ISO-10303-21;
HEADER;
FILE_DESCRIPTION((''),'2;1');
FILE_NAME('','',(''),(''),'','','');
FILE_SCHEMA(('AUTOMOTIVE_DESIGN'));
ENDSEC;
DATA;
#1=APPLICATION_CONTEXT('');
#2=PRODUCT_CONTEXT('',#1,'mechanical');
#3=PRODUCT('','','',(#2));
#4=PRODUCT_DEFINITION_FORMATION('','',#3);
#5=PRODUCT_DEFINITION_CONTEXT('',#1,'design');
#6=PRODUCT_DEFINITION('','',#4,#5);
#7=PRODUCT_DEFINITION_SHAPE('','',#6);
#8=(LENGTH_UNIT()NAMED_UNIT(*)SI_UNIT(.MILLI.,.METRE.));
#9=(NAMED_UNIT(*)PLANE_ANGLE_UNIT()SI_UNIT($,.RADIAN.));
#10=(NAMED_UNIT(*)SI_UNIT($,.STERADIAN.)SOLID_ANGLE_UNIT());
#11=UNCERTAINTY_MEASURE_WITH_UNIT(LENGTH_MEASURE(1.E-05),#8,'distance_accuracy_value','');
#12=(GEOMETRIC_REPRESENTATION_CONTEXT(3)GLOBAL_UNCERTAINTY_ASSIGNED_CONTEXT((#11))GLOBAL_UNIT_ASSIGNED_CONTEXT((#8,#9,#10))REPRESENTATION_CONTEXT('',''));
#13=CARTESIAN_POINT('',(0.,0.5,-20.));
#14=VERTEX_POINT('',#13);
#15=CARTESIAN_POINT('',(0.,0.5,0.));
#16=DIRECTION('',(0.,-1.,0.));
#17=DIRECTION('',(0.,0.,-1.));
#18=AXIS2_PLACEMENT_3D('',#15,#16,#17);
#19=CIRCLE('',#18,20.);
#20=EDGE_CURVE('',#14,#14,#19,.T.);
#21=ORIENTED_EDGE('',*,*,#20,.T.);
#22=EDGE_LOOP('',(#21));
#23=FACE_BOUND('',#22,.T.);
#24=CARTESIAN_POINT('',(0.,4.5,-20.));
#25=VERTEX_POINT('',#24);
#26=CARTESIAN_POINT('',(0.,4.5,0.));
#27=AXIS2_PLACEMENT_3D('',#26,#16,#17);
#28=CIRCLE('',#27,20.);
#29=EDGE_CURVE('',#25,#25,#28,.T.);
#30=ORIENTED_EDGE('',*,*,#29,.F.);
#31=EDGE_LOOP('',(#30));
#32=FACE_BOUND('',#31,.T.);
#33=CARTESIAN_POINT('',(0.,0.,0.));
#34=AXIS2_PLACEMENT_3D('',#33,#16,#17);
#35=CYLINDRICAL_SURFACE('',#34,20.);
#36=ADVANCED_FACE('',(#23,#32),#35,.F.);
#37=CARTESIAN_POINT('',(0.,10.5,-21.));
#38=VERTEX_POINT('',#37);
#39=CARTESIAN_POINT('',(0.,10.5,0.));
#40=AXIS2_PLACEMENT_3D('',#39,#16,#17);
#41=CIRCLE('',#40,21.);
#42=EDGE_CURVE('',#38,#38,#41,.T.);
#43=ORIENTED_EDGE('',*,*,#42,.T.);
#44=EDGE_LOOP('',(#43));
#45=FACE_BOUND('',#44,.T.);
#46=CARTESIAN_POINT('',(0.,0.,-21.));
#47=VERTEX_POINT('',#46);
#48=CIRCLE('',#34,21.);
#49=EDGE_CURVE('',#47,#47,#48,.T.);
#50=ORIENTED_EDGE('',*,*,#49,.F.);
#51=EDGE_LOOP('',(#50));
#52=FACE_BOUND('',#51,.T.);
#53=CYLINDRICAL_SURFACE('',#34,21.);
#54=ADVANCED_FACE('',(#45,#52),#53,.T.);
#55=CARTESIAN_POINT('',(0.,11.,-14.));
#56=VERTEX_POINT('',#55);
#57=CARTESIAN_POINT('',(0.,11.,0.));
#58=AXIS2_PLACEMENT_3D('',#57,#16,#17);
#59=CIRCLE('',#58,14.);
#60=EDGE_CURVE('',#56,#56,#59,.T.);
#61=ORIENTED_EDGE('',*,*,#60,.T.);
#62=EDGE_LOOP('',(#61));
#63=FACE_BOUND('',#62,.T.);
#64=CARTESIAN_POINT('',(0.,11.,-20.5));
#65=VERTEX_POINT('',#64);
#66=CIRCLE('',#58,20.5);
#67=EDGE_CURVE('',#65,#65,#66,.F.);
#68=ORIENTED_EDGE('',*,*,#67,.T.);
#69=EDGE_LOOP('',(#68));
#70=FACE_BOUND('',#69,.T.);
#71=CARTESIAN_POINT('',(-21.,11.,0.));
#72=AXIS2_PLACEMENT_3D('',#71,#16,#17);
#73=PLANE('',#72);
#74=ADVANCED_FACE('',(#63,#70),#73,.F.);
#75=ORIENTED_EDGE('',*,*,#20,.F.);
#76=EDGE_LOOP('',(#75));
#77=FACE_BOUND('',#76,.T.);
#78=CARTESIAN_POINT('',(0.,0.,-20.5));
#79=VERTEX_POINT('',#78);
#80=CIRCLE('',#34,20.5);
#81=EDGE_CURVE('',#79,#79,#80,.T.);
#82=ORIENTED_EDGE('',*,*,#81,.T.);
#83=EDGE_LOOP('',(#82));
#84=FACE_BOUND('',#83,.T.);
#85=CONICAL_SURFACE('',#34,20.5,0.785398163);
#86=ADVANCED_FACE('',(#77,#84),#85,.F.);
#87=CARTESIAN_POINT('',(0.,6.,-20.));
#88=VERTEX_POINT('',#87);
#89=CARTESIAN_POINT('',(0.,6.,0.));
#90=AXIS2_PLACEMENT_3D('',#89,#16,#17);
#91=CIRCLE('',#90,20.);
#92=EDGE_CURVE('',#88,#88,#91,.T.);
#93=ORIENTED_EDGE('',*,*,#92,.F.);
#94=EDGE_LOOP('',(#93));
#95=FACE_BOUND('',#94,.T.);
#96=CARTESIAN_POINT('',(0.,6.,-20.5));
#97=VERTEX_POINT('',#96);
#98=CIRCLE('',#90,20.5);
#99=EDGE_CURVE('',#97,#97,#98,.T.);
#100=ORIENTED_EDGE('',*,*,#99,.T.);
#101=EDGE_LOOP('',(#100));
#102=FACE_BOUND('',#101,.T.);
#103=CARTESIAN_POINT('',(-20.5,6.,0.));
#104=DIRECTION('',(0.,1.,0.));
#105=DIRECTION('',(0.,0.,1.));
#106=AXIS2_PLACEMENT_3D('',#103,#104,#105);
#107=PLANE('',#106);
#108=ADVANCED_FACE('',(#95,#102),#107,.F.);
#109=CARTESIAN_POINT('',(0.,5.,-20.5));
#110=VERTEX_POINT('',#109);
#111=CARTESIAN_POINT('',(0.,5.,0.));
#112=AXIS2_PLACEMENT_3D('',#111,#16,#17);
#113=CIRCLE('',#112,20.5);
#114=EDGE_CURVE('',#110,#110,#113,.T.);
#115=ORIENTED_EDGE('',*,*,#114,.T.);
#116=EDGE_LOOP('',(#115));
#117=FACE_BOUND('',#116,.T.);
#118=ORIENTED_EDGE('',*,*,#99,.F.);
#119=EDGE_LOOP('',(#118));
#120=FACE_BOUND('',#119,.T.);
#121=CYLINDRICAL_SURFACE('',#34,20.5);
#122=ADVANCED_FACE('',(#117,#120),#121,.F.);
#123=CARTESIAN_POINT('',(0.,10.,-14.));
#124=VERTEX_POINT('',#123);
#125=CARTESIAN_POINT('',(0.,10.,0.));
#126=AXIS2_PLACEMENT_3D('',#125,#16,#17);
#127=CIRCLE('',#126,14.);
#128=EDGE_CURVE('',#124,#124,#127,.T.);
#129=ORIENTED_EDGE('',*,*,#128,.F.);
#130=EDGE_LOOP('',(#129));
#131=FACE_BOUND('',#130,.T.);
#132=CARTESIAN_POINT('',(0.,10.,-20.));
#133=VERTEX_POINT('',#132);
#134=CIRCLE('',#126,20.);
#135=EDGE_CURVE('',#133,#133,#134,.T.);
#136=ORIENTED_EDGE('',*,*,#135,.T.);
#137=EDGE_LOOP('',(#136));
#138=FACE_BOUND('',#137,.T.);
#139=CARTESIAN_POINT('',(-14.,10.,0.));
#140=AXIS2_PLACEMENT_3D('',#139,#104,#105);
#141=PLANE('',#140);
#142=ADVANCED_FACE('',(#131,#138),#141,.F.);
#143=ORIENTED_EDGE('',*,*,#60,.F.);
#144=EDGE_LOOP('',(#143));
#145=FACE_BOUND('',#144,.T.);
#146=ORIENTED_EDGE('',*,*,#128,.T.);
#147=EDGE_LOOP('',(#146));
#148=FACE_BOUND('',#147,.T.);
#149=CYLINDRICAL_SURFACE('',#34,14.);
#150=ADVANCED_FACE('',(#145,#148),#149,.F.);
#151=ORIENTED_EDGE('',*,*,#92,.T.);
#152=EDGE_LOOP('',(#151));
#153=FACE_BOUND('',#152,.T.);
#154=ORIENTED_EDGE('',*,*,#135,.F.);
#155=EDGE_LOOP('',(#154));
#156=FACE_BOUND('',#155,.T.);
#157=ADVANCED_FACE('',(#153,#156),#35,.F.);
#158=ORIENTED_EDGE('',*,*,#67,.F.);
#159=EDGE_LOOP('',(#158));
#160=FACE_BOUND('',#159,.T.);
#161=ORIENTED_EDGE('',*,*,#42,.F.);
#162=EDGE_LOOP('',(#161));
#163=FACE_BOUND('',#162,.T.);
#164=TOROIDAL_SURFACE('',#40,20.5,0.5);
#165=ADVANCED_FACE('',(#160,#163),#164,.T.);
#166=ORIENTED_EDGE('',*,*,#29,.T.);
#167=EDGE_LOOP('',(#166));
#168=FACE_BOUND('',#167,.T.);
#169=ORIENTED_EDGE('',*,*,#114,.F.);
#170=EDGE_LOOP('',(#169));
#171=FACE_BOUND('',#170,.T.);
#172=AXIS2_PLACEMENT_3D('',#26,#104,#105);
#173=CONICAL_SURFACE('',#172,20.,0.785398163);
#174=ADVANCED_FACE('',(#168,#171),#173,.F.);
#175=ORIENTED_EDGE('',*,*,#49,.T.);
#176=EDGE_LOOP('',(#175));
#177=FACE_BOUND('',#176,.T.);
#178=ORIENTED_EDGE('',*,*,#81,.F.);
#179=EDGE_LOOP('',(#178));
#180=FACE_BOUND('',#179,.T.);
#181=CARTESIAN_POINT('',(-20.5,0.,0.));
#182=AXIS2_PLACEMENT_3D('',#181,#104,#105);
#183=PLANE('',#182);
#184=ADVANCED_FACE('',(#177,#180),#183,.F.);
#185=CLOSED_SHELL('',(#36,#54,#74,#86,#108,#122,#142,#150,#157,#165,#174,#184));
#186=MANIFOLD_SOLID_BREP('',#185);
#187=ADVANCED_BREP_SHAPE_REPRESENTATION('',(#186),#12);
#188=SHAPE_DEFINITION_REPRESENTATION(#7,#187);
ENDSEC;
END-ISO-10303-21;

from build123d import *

# Parameters (mm, degrees)
FILETE1_R = 0.5


with BuildPart() as part:
    # Esboço1 → Revolução2 (revolve)
    with BuildSketch(Plane.XY):
        Polygon((-21, 0), (-21, 11), (-14, 11), (-14, 10), (-20, 10), (-20, 6), (-20.5, 6), (-20.5, 5), (-20, 4.5), (-20, 0.5), (-20.5, 0), align=None)
    revolve(axis=Axis((0, 0, 0), (0, 1, 0)))

    # Filete1
    filete1_edges = [part.edges().sort_by_distance(p)[0] for p in [
        (21, 11, 0),
    ]]
    fillet(filete1_edges, radius=FILETE1_R)


solid = part.part
